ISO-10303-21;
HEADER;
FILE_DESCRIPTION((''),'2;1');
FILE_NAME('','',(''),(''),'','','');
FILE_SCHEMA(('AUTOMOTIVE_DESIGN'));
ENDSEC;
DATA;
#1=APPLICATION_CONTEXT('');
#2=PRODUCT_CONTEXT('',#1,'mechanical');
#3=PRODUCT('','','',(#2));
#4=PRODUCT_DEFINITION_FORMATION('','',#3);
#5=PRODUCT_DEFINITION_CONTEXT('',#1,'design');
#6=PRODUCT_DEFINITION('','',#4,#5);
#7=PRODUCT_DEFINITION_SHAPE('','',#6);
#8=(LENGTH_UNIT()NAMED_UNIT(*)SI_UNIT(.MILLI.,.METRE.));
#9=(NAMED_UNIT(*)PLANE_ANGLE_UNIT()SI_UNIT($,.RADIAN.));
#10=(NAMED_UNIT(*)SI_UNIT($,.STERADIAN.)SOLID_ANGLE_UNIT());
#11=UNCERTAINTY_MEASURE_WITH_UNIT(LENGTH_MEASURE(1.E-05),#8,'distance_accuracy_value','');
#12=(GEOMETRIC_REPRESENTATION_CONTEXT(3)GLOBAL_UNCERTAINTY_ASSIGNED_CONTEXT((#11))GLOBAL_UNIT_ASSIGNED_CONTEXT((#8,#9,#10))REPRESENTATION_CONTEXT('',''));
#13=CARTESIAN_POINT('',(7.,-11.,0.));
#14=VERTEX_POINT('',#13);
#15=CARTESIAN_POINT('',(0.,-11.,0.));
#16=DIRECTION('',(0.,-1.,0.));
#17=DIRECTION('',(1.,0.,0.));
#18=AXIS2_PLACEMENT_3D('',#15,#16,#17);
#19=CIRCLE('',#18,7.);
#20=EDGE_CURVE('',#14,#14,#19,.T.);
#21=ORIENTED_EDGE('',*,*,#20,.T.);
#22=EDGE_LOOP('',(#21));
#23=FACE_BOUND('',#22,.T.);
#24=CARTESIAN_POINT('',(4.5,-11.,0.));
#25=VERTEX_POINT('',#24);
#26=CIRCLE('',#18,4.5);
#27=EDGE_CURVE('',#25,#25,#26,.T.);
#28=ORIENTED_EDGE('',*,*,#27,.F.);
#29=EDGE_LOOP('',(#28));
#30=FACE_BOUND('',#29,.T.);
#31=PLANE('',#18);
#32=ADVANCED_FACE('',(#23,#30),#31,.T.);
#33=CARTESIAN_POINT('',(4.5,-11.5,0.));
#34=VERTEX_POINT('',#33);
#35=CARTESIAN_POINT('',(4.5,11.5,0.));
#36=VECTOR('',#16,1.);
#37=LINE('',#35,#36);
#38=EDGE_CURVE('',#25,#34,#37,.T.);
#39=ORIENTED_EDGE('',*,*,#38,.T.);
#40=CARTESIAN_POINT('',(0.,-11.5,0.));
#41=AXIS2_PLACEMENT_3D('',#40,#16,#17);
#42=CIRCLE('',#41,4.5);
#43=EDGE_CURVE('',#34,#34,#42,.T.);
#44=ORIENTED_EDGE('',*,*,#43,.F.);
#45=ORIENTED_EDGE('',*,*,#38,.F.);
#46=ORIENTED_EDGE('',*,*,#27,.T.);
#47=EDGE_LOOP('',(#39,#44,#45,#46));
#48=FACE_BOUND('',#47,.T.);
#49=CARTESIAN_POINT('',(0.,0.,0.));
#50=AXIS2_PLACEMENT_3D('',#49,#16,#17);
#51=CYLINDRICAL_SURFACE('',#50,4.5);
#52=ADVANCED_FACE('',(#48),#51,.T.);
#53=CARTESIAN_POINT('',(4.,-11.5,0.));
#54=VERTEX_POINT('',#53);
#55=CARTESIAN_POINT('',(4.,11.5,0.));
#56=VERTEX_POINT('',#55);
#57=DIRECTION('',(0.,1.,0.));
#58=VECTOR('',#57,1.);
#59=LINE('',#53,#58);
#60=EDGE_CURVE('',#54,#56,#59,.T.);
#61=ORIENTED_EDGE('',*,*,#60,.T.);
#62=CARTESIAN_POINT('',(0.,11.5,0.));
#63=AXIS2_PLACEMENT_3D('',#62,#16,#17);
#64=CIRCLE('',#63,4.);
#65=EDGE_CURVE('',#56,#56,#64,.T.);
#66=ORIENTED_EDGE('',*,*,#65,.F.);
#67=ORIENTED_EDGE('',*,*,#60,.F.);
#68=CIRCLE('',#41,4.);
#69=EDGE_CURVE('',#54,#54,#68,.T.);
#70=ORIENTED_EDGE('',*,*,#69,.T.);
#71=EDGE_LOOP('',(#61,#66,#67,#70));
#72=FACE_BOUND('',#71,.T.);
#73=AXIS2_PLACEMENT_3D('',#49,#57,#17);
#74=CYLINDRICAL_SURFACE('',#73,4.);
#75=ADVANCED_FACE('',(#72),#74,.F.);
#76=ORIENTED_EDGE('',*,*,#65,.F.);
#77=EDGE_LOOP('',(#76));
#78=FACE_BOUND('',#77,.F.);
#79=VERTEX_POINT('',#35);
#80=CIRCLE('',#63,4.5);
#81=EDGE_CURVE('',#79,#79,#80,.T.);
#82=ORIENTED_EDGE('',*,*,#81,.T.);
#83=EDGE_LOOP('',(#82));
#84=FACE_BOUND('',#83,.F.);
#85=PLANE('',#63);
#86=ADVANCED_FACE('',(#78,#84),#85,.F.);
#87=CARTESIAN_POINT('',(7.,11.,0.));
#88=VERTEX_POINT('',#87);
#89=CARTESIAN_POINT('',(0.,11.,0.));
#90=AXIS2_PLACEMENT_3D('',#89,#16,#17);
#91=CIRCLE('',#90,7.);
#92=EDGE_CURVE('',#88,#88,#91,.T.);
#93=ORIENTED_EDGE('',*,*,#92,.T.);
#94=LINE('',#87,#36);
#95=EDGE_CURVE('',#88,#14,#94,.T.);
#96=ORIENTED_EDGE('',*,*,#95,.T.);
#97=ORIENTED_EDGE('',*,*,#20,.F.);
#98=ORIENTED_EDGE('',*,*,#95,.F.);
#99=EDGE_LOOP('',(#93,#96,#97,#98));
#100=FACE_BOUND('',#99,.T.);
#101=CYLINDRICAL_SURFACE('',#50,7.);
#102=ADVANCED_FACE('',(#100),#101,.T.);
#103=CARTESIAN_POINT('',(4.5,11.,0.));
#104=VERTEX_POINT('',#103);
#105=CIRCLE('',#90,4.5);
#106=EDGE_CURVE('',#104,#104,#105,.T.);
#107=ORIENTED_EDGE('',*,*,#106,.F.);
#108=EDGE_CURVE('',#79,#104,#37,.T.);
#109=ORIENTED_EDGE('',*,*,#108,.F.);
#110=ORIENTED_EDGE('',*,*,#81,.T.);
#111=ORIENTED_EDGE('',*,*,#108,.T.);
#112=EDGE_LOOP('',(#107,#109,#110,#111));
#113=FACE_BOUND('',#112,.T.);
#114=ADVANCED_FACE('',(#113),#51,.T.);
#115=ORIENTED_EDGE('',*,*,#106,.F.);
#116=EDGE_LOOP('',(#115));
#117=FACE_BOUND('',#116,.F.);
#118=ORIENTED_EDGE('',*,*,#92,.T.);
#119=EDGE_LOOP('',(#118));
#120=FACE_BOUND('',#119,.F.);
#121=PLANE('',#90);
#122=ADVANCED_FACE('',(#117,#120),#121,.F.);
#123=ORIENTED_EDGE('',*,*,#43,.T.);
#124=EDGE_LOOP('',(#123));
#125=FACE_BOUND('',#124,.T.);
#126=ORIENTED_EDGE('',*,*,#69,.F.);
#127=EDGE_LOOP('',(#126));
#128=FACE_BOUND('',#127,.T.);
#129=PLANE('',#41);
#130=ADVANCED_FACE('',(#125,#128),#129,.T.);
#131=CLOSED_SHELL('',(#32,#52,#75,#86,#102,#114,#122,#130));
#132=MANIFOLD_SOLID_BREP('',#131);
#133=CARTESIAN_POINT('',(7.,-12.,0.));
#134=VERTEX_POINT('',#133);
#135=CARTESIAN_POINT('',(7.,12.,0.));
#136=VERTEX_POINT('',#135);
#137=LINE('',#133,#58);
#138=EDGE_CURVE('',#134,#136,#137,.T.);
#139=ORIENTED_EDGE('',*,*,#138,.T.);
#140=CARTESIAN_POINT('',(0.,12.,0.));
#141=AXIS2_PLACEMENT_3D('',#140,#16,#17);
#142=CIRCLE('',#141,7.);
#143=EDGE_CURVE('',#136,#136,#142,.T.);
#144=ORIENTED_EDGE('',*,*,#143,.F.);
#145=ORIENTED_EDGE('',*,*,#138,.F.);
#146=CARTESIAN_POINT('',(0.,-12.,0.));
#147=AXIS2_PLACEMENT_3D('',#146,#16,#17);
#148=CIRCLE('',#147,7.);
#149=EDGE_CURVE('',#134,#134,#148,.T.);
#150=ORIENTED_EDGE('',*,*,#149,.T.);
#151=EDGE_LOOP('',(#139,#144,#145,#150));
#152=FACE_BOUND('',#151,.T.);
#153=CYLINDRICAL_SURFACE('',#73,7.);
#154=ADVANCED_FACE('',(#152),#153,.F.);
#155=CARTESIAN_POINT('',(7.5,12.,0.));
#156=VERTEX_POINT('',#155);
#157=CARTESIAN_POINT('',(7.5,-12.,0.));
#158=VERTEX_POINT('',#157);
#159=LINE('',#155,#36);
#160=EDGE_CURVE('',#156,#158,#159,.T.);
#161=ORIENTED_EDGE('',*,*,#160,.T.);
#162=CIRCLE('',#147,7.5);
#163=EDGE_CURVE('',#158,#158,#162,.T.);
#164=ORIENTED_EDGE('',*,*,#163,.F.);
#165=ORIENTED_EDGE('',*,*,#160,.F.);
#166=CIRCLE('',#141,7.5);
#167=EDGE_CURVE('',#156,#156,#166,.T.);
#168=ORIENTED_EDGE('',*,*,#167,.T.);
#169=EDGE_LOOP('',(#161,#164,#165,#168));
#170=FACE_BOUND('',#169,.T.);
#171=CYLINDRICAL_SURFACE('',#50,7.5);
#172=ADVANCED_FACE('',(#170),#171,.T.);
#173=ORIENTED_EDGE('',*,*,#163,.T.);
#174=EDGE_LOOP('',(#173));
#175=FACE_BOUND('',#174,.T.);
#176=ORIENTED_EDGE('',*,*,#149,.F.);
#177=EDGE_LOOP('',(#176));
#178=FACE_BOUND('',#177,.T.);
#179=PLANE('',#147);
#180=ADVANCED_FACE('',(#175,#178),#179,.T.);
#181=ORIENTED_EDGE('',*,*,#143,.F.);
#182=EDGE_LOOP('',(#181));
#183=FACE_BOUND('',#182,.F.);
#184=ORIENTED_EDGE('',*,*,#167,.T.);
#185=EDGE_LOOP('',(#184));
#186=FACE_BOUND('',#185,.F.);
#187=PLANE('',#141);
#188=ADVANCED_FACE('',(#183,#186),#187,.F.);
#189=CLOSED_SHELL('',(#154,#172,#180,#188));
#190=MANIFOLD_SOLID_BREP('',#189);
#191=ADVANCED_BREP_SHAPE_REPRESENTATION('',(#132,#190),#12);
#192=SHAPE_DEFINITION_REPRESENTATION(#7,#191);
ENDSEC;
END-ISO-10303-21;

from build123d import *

# Parameters (mm, degrees)
F0_R     = 7.5
F0_R_2   = 7
F1_DEPTH = 12
F0_R_3   = 4.5
F2_DEPTH = 11
F0_R_4   = 4
F3_DEPTH = 11.5


with BuildPart() as f1:
    # F0 (on Front) → F1 (new body, symmetric)
    with BuildSketch(Plane.XZ):
        Circle(F0_R)
        Circle(F0_R_2, mode=Mode.SUBTRACT)
    extrude(amount=F1_DEPTH, both=True)


with BuildPart() as f2:
    # F0 (on Front) → F2 (new body, symmetric)
    with BuildSketch(Plane.XZ):
        Circle(F0_R_2)
        Circle(F0_R_3, mode=Mode.SUBTRACT)
    extrude(amount=F2_DEPTH, both=True)

    # F0 (on Front) → F3 (join, symmetric)
    with BuildSketch(Plane.XZ):
        Circle(F0_R_3)
        Circle(F0_R_4, mode=Mode.SUBTRACT)
    extrude(amount=F3_DEPTH, both=True)


solid = Compound([f1.part, f2.part])
